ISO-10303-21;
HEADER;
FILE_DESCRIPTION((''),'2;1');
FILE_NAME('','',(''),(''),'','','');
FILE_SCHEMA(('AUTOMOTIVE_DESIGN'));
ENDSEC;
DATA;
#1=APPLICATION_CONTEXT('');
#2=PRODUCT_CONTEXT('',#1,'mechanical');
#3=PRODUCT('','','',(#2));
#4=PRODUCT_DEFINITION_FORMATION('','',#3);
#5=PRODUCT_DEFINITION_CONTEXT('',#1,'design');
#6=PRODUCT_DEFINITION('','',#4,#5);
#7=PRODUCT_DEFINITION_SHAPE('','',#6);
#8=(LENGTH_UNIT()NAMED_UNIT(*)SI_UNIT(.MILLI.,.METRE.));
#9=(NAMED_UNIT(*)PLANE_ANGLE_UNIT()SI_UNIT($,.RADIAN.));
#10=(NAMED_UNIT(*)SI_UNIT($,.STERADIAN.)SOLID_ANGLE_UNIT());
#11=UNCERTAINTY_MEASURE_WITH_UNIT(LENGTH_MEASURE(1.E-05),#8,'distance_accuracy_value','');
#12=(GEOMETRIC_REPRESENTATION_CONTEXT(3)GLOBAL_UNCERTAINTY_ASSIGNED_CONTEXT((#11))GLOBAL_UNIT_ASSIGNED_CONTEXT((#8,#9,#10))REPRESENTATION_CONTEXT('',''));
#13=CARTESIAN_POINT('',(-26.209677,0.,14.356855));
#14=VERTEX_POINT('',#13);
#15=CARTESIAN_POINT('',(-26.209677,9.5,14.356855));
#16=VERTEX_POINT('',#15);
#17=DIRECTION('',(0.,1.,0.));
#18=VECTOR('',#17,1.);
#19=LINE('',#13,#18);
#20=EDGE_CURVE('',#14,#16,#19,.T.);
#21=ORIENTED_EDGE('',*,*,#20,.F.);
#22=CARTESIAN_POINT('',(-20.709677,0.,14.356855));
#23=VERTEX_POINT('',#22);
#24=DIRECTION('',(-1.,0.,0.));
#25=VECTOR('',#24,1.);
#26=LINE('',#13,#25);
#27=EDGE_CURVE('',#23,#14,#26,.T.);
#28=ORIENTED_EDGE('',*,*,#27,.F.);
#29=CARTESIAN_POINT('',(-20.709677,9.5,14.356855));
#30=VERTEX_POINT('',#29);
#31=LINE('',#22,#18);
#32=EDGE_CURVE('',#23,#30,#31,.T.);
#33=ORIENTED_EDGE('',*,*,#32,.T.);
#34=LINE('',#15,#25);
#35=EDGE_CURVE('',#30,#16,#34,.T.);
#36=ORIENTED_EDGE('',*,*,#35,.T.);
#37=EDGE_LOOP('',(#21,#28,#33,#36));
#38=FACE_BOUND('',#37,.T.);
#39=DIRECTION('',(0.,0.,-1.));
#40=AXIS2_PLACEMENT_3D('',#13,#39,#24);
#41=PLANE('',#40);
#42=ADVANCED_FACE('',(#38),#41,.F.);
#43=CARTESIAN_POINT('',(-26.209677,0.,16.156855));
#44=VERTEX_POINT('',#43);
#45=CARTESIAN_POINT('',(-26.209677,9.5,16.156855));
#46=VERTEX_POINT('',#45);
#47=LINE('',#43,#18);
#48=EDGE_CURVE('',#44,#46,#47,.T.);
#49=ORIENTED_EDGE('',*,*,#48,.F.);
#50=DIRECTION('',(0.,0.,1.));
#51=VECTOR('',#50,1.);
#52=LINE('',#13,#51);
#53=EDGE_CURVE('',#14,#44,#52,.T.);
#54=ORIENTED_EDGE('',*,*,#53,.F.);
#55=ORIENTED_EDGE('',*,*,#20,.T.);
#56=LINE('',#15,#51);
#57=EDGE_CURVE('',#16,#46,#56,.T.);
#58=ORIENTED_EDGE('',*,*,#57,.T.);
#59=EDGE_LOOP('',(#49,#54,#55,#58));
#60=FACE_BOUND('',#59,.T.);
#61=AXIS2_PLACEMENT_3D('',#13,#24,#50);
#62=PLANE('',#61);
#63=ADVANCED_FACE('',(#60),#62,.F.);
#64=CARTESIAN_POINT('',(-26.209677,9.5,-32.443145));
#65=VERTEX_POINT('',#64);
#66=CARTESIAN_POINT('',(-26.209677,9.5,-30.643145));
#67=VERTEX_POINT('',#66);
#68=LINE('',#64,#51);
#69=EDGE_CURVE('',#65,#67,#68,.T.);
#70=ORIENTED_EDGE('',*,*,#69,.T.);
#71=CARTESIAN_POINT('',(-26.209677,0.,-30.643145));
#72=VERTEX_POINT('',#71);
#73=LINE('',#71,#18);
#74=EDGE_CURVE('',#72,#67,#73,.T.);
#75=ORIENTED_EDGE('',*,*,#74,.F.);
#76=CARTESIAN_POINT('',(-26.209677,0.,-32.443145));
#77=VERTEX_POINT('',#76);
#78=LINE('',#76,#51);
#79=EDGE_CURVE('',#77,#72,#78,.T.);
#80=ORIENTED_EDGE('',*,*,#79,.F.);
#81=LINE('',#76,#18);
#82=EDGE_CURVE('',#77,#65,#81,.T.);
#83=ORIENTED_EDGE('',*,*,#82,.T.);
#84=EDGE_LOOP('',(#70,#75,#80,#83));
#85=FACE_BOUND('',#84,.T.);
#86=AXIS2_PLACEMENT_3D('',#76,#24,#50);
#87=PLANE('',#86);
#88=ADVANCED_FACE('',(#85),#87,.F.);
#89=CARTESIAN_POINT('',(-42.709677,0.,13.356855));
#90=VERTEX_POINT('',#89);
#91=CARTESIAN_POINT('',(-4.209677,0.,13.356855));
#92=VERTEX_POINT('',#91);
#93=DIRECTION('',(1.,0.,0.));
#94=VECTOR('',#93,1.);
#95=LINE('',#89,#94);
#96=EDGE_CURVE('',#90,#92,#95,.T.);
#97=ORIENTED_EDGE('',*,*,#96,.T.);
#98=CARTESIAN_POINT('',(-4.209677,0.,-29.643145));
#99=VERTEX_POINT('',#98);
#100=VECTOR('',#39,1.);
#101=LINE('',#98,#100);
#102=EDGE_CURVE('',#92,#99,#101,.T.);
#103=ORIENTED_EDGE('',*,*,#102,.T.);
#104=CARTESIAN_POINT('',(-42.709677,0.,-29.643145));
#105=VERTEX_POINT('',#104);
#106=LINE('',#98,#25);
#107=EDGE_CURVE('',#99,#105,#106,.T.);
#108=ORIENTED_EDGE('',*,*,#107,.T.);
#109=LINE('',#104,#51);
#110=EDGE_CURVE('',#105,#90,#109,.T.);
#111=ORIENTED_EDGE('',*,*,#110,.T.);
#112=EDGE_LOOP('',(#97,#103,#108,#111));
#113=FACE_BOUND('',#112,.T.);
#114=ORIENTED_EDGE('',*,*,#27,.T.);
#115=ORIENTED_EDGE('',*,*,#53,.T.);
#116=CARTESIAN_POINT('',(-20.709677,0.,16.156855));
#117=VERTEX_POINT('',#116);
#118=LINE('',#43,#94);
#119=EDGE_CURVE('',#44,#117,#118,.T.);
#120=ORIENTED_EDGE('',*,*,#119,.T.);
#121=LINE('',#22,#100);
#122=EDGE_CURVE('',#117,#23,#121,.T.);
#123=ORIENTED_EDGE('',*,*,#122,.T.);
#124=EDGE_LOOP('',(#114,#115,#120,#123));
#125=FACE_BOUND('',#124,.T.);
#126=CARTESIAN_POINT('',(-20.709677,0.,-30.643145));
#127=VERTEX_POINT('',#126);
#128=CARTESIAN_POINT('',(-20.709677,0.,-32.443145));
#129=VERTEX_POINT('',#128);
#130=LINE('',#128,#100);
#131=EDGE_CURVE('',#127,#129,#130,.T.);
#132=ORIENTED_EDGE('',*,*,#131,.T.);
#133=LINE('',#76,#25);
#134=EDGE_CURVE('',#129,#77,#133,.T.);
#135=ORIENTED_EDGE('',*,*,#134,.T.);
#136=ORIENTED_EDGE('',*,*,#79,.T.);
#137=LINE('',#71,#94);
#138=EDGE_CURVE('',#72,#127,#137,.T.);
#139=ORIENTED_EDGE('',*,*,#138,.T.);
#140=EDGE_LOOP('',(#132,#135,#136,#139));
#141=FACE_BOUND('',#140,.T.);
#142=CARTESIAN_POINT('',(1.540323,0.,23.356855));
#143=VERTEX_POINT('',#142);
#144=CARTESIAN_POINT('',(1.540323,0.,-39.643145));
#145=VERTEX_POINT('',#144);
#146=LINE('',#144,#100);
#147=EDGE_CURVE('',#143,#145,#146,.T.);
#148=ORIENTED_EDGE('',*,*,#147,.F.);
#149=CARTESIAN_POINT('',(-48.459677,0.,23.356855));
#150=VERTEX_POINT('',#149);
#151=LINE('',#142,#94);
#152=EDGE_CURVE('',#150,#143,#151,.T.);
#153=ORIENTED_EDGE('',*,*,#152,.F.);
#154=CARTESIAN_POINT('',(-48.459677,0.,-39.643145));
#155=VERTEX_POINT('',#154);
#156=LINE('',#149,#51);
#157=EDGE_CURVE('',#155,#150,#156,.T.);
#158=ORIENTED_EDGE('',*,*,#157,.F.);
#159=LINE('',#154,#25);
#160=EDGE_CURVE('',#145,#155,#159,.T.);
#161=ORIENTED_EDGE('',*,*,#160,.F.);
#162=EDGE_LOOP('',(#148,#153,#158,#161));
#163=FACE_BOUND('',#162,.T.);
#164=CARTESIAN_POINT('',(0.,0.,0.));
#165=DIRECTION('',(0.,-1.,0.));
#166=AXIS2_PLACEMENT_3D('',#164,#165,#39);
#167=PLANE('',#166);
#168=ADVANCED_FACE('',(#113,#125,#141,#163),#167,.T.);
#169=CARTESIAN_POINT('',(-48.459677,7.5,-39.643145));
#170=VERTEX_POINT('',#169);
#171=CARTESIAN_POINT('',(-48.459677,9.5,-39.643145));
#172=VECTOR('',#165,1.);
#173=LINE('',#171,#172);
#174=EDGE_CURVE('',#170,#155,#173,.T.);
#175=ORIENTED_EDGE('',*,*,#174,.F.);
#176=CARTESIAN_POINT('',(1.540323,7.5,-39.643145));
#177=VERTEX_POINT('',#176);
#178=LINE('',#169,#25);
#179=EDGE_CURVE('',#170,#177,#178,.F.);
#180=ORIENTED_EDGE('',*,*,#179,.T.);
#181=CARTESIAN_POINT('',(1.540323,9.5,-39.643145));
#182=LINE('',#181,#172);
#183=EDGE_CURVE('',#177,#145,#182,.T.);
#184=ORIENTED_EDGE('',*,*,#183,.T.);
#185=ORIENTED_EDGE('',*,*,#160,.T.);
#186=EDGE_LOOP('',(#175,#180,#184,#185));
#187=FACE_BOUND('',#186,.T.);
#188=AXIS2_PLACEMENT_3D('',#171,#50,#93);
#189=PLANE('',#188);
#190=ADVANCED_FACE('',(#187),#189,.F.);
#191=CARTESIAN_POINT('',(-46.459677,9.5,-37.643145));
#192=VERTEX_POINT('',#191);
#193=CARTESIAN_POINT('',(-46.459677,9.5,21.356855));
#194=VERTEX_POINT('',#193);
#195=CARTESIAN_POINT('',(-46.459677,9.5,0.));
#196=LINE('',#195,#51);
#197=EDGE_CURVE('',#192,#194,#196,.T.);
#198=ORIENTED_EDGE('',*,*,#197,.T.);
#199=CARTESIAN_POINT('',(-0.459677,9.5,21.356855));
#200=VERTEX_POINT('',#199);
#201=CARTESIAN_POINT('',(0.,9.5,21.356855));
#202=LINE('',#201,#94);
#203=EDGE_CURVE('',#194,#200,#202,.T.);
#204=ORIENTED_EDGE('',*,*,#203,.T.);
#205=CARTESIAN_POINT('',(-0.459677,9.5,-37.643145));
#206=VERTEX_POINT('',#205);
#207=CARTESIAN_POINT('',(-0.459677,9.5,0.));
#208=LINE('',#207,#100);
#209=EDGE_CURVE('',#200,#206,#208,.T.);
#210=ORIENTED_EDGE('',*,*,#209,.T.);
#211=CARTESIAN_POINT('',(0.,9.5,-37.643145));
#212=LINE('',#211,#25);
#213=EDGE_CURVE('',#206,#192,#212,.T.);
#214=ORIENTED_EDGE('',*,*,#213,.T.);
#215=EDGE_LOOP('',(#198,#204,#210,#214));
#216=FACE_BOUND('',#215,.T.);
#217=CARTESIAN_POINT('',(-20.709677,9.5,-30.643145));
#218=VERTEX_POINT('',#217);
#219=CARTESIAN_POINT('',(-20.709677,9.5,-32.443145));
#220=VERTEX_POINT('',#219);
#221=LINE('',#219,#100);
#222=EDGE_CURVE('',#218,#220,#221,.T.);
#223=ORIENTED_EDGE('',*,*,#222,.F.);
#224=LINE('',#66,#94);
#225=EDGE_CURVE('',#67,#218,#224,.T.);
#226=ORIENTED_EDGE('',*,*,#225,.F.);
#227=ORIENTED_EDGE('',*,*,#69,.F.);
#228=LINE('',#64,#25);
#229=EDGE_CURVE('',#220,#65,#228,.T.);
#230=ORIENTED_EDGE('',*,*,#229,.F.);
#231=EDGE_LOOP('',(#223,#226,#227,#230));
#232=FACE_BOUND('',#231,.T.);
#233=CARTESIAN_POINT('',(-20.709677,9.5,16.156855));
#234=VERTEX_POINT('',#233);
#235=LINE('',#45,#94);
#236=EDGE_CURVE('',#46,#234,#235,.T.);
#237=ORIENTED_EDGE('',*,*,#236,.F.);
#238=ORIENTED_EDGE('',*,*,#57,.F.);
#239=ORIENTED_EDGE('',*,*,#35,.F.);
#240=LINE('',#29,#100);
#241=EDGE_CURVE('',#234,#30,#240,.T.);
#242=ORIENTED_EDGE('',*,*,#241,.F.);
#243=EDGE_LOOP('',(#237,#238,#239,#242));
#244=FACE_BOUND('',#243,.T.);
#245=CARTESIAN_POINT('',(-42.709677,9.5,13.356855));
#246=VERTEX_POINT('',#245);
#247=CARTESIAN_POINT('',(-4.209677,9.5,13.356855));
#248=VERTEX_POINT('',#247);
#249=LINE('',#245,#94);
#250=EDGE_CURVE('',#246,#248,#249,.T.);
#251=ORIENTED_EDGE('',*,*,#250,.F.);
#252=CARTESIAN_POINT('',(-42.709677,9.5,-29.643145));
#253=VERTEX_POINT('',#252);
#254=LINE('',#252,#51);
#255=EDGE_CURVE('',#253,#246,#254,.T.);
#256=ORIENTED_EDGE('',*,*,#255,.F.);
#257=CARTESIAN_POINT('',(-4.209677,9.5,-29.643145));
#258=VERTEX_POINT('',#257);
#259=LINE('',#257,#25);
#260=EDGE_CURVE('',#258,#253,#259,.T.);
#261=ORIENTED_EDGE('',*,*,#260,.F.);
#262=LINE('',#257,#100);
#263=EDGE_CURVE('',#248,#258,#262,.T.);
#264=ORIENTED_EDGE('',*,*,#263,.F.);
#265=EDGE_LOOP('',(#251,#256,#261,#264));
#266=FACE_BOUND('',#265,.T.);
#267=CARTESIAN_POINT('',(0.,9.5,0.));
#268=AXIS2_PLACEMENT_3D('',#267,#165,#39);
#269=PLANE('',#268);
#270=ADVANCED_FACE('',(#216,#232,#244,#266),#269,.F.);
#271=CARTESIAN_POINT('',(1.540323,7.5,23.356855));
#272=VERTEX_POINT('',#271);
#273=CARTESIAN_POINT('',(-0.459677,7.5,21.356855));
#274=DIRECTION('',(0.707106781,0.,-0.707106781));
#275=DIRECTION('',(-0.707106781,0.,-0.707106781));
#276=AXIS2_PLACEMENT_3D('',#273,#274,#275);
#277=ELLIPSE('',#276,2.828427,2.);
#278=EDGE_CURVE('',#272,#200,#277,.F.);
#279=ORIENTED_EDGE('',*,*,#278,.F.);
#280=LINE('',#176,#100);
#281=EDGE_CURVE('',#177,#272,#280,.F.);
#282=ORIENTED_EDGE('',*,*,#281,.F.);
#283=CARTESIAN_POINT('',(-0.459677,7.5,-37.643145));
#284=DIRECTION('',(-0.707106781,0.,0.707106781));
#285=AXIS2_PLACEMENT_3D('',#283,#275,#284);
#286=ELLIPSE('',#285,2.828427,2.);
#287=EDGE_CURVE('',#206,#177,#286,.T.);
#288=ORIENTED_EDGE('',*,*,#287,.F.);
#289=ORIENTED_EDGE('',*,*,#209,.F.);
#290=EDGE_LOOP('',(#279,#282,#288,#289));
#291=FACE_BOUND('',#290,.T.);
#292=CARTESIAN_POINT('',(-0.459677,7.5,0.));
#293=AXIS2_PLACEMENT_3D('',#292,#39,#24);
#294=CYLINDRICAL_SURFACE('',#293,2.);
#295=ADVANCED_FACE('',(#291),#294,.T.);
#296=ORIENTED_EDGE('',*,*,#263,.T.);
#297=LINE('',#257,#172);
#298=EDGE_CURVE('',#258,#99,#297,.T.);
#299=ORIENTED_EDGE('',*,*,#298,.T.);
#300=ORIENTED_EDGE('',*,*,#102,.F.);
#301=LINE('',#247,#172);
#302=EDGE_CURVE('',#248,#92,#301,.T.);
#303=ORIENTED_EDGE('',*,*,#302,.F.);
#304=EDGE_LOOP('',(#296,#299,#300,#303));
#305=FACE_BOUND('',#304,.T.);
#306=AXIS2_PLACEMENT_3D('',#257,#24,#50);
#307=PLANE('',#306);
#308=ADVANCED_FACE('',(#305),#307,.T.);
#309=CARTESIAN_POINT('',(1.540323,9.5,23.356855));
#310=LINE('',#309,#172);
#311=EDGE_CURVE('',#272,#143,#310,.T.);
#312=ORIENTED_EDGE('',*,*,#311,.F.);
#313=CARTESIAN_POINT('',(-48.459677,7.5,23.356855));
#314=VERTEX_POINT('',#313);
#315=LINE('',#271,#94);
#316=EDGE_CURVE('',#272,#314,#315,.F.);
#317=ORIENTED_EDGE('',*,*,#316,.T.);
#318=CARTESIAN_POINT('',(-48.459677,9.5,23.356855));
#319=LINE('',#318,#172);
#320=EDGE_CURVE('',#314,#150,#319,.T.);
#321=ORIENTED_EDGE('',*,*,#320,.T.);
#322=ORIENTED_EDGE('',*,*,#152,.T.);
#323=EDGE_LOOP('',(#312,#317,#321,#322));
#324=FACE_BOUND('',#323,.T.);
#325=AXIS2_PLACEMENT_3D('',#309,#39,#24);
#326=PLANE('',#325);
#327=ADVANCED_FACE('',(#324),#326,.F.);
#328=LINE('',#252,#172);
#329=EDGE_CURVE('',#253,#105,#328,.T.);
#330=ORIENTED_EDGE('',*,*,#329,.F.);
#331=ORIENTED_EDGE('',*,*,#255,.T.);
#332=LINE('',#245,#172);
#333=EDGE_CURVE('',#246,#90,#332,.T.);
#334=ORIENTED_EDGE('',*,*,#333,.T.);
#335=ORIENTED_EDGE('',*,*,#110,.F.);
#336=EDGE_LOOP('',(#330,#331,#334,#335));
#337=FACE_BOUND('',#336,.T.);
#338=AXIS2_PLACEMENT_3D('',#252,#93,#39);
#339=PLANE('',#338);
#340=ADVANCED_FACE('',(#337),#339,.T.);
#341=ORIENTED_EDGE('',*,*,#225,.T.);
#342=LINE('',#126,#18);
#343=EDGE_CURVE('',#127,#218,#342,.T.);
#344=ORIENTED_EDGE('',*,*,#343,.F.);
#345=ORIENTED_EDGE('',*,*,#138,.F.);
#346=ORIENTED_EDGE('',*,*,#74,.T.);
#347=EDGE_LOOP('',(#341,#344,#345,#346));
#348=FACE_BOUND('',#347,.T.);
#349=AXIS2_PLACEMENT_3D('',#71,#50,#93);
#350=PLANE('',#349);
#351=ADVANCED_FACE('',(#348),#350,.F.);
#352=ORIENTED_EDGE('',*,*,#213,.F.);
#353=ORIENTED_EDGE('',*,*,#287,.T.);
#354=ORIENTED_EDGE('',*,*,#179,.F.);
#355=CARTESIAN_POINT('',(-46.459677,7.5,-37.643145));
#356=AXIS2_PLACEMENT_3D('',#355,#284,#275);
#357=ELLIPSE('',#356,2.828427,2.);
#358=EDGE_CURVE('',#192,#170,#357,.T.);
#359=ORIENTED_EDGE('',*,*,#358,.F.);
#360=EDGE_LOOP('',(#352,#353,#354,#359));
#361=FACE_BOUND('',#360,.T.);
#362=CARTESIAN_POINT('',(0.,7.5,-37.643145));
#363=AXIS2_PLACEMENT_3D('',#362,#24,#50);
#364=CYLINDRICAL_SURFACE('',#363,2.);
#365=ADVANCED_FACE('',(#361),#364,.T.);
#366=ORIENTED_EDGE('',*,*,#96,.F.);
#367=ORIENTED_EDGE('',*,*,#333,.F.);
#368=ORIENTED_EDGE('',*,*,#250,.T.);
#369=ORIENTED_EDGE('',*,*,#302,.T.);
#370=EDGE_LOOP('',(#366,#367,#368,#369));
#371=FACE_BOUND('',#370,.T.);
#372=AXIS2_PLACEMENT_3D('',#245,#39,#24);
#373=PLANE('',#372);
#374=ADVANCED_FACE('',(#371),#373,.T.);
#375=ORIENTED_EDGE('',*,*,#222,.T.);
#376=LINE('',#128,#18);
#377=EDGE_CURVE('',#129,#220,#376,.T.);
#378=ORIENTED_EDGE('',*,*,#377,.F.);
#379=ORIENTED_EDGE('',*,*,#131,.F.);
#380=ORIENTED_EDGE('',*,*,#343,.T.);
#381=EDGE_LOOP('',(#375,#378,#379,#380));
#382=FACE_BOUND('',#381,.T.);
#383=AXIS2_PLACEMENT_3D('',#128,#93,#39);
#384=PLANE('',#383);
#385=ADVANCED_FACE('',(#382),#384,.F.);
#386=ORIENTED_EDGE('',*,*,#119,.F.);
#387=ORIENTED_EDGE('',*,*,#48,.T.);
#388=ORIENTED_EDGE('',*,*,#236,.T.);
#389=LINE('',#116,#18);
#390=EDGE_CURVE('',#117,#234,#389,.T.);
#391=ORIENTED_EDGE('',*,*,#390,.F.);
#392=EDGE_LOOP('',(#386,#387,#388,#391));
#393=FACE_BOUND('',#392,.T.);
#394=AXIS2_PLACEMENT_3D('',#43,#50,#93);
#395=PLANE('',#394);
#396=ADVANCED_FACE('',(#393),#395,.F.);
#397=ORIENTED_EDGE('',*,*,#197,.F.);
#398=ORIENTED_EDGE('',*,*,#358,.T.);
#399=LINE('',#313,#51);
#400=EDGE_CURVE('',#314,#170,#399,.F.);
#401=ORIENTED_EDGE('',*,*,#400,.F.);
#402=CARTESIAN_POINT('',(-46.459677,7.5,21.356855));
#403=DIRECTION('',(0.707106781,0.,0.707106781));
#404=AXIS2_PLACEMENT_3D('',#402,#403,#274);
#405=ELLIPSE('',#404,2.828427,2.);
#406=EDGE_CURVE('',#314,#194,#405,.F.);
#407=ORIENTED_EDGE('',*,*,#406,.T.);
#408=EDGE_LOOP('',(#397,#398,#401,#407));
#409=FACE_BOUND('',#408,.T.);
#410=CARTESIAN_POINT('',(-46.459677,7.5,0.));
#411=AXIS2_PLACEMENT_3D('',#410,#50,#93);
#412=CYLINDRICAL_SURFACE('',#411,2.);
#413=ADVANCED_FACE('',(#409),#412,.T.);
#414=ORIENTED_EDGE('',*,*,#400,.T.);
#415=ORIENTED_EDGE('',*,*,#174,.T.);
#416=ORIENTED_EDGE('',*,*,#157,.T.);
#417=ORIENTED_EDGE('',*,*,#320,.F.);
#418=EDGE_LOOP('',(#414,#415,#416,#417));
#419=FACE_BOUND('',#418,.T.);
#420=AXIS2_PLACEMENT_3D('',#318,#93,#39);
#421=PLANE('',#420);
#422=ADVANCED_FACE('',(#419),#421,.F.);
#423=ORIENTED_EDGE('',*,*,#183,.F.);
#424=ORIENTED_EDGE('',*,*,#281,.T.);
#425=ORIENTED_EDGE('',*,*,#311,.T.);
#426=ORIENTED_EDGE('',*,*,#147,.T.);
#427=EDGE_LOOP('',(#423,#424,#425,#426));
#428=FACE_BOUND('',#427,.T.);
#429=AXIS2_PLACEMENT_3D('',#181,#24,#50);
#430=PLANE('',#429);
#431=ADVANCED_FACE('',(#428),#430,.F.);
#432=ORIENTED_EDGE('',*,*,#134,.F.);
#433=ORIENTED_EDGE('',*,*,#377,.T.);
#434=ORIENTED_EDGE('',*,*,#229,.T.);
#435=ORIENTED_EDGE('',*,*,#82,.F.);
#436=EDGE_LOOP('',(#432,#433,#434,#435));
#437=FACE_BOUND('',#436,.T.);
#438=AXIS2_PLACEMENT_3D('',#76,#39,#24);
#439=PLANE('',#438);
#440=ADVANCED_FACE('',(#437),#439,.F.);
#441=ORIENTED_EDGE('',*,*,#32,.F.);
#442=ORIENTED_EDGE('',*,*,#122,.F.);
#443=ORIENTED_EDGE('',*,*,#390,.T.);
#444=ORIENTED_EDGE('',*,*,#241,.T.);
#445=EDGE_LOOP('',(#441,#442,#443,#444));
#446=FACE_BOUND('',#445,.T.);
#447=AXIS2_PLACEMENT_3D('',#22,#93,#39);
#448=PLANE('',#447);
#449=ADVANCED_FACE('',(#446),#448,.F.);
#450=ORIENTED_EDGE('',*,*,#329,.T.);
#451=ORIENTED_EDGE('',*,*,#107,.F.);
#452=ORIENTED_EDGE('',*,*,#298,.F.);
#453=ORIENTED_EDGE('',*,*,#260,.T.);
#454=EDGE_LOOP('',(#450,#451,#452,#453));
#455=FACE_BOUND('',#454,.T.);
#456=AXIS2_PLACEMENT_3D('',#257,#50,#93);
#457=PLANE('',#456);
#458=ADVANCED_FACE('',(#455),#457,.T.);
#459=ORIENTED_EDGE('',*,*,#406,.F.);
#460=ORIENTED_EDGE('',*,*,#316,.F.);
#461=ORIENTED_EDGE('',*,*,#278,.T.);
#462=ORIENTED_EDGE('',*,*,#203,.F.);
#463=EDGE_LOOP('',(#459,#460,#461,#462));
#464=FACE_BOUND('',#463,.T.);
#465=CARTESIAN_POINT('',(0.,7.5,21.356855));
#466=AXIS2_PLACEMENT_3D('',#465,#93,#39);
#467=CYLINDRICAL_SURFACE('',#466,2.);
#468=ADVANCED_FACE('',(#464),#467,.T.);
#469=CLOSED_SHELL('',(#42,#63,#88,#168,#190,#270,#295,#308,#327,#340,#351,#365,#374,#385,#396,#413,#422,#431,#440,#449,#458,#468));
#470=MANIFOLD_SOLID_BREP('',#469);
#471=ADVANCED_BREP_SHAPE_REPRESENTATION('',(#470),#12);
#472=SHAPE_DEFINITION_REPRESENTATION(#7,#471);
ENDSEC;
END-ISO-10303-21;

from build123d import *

# Parameters (mm, degrees)
SKETCH1_W           = 50
SKETCH1_H           = 63
SKETCH1_W_2         = 38.5
SKETCH1_H_2         = 43
BOSS_EXTRUDE1_DEPTH = 9.5
SKETCH2_W           = 5.5
SKETCH2_H           = 1.8
CUT_EXTRUDE1_DEPTH  = 64.325897498
FILLET1_R           = 2


with BuildPart() as part:
    # Sketch1 → Boss-Extrude1 (new body)
    with BuildSketch(Plane(origin=(0, 0, 0), x_dir=(1, 0, 0), z_dir=(0, 1, 0))):
        with Locations((-23.459677419, 8.143145161)):
            Rectangle(SKETCH1_W, SKETCH1_H)
        with Locations((-23.459677419, 8.143145161)):
            Rectangle(SKETCH1_W_2, SKETCH1_H_2, mode=Mode.SUBTRACT)
    extrude(amount=BOSS_EXTRUDE1_DEPTH)

    # Sketch2 → Cut-Extrude1 (cut, through all)
    with BuildSketch(Plane(origin=(0, 9.5, 0), x_dir=(1, 0, 0), z_dir=(0, 1, 0))):
        with Locations((-23.459677419, 31.543145161)):
            Rectangle(SKETCH2_W, SKETCH2_H)
        with Locations((-23.459677419, -15.256854839)):
            Rectangle(SKETCH2_W, SKETCH2_H)
    extrude(amount=-CUT_EXTRUDE1_DEPTH, mode=Mode.SUBTRACT)

    # Fillet1
    fillet1_edges = [part.edges().sort_by_distance(p)[0] for p in [
        (-48.459677419, 9.5, -8.143145161),
        (-23.459677419, 9.5, 23.356854839),
        (1.540322581, 9.5, -8.143145161),
        (-23.459677419, 9.5, -39.643145161),
    ]]
    fillet(fillet1_edges, radius=FILLET1_R)


solid = part.part
